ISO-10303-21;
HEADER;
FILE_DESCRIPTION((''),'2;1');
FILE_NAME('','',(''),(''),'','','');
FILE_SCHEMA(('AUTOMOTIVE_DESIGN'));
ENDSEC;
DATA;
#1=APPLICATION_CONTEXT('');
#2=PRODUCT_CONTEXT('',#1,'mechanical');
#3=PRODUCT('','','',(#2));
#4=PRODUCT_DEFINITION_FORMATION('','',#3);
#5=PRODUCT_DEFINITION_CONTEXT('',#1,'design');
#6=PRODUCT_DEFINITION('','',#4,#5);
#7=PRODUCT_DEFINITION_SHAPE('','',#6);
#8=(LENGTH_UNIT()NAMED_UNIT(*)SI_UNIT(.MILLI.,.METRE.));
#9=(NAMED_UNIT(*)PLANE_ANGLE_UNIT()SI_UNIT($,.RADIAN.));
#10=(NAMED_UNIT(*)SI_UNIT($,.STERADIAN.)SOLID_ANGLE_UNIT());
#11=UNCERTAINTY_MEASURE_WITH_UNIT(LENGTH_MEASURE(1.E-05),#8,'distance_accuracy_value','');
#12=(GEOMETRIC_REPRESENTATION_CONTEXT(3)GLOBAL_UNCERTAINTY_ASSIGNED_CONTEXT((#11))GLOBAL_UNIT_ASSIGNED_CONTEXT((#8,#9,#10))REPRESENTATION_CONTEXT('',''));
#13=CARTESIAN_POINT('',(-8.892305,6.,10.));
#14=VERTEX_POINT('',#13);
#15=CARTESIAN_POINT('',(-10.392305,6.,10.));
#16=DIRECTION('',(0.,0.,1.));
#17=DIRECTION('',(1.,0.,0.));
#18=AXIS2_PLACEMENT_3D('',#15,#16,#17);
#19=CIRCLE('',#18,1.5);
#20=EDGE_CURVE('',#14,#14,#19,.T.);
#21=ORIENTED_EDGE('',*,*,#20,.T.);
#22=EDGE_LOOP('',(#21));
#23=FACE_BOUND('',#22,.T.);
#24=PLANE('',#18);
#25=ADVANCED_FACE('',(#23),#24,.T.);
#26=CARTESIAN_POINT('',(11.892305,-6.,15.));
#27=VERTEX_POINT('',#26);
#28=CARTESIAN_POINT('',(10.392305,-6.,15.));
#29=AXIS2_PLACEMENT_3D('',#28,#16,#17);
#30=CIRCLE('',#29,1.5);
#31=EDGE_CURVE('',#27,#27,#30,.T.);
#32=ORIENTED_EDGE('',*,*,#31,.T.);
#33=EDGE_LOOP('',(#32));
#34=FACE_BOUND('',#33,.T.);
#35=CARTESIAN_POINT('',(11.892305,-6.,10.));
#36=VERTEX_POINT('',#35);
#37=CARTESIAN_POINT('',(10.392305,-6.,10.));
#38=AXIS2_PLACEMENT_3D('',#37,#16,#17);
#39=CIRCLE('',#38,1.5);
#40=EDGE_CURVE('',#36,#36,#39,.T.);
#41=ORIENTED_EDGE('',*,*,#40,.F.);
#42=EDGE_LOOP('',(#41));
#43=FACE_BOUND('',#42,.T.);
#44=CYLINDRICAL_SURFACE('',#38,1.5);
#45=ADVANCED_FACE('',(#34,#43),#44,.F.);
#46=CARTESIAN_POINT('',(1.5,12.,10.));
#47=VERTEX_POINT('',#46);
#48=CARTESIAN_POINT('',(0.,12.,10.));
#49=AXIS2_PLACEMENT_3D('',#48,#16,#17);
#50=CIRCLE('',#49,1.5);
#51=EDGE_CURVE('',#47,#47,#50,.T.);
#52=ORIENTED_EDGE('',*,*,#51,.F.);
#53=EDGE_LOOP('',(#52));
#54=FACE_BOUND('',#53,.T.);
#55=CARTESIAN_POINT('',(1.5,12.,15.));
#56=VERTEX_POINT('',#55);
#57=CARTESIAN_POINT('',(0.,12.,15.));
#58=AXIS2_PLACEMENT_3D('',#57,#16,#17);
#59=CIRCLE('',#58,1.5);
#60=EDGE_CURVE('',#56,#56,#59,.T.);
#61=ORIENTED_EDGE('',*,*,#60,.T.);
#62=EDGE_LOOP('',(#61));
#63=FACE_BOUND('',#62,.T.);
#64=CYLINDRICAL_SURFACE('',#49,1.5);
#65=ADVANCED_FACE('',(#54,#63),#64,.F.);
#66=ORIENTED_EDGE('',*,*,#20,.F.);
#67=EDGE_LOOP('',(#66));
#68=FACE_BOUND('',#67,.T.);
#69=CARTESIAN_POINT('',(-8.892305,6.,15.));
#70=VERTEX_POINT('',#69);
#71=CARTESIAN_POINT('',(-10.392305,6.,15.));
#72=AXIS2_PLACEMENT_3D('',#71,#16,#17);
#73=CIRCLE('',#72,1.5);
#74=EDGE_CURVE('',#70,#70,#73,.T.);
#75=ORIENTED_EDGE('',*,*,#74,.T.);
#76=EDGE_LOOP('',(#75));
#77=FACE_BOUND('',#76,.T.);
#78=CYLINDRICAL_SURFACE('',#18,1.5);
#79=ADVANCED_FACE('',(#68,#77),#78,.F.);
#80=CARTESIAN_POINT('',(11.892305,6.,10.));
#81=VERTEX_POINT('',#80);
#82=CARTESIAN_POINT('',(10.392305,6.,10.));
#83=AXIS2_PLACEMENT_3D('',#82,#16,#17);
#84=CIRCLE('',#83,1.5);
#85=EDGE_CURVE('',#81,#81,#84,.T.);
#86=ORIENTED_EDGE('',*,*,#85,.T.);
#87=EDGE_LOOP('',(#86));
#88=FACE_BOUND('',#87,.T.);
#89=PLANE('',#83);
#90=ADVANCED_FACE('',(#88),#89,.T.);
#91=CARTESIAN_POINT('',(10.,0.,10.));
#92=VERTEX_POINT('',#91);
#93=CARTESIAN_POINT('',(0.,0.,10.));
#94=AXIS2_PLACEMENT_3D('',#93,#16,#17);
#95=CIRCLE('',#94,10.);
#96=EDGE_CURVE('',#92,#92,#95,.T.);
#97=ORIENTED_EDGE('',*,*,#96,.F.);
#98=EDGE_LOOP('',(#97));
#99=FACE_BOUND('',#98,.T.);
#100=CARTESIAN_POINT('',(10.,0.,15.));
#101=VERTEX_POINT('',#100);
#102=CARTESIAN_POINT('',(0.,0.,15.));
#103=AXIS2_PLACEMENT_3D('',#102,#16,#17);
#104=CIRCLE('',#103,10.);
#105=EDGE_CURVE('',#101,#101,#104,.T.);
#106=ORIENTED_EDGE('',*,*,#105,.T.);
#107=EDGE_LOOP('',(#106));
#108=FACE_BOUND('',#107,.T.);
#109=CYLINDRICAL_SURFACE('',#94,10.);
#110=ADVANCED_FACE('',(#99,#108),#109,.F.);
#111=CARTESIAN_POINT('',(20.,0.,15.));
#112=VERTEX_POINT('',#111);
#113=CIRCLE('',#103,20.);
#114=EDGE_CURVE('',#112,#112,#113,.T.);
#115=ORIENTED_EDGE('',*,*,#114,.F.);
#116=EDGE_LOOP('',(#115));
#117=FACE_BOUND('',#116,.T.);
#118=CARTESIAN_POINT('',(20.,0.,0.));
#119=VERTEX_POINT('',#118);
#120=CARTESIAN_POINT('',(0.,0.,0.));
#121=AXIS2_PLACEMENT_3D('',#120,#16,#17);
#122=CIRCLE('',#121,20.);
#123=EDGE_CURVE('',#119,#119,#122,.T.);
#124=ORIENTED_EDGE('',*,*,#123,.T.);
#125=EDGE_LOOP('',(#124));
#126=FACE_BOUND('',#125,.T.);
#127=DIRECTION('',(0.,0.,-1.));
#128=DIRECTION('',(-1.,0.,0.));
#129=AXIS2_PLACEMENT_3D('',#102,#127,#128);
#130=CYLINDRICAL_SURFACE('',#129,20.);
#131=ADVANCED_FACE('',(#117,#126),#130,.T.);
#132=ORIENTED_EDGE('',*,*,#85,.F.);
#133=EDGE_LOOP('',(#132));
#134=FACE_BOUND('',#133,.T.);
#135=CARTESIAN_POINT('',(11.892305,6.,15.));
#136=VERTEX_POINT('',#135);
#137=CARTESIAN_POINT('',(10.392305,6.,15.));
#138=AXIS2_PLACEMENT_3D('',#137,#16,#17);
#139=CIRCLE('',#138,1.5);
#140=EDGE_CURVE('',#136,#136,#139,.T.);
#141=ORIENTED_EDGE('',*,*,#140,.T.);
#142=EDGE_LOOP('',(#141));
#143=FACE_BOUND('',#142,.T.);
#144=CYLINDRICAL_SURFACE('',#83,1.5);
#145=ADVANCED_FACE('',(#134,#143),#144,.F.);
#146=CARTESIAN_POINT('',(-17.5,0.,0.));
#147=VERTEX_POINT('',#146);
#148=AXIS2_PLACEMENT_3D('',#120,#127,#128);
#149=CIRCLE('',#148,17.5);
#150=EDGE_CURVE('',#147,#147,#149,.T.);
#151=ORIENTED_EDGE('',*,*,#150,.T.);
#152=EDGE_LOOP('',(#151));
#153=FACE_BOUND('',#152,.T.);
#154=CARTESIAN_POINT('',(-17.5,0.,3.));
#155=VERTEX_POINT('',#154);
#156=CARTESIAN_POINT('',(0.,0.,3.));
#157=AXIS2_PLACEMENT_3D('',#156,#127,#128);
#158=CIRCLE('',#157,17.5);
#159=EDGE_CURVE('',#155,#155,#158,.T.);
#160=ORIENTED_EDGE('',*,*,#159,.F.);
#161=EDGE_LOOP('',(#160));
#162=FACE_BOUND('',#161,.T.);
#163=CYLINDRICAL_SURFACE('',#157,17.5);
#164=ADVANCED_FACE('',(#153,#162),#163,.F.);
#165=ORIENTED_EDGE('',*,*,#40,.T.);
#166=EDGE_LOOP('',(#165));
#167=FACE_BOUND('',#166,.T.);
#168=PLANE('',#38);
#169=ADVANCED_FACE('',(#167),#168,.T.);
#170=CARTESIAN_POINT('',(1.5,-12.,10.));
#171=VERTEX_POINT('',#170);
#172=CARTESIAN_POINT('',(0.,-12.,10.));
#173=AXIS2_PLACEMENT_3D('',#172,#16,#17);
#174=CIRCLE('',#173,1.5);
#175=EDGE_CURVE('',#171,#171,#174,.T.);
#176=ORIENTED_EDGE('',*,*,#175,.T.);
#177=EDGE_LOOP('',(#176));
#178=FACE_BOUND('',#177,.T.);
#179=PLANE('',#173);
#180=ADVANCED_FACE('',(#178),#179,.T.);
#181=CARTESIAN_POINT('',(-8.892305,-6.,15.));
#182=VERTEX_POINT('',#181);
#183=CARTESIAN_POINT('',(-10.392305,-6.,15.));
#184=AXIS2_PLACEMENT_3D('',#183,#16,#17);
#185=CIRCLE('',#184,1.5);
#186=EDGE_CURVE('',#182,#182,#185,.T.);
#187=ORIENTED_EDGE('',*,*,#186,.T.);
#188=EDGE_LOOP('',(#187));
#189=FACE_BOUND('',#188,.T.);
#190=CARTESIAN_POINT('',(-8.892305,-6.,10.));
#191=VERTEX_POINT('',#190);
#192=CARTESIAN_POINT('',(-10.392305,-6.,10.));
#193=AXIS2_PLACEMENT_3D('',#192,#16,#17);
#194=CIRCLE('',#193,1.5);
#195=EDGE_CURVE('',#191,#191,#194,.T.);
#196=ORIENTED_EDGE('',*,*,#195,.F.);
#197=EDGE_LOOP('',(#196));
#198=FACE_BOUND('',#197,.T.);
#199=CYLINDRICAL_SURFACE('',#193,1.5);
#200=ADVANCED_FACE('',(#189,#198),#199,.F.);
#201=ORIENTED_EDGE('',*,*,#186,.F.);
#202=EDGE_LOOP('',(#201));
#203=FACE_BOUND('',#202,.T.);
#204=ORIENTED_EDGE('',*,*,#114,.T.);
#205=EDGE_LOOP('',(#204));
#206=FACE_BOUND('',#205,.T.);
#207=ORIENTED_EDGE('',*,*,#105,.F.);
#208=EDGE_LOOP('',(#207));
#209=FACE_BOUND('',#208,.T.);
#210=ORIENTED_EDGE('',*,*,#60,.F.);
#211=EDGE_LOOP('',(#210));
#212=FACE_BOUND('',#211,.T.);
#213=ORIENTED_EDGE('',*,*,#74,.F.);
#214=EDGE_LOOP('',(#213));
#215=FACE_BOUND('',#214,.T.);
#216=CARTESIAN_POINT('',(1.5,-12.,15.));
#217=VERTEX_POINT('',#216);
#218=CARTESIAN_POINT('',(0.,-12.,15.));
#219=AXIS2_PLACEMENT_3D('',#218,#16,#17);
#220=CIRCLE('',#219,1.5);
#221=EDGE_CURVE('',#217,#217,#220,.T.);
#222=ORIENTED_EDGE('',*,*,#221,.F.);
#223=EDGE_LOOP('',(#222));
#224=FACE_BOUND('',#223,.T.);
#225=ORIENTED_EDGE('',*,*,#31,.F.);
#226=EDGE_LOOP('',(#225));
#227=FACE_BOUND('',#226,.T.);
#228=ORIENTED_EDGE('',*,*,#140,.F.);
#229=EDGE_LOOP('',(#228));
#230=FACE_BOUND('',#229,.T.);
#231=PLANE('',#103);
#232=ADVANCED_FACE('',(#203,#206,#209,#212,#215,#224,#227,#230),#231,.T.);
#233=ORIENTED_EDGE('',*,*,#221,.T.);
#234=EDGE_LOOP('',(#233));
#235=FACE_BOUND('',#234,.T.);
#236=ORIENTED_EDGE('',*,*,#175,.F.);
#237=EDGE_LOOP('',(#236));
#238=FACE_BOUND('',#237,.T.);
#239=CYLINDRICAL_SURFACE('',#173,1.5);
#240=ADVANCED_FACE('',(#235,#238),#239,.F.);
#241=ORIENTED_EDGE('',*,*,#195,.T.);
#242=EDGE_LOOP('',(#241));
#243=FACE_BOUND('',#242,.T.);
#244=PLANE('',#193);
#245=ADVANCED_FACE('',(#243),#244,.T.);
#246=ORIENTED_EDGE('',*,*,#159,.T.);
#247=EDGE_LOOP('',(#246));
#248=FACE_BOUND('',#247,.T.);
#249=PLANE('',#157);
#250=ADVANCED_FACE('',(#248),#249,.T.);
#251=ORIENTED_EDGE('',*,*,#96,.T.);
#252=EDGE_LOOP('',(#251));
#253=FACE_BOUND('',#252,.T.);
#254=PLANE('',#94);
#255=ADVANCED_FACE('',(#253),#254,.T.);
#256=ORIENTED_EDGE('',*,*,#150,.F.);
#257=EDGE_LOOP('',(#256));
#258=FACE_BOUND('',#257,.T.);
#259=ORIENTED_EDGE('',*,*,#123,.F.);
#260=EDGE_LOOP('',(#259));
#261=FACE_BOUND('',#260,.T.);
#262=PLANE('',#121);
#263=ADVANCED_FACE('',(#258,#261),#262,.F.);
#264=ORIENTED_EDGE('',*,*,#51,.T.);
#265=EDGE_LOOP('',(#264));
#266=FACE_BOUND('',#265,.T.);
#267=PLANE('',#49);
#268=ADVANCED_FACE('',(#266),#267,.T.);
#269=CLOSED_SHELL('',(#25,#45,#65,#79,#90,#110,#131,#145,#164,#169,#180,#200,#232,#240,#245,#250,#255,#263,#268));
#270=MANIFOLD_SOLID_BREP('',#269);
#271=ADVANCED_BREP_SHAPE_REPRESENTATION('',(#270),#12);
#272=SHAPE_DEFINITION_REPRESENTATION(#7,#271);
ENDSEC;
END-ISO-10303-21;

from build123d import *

# Parameters (mm, degrees)
SKETCH1_R           = 20
BOSS_EXTRUDE1_DEPTH = 15
SKETCH2_R           = 10
CUT_EXTRUDE1_DEPTH  = 5
SKETCH7_R           = 17.5
CUT_EXTRUDE2_DEPTH  = 3
SKETCH8_R           = 1.5
CUT_EXTRUDE3_DEPTH  = 5


with BuildPart() as part:
    # Sketch1 → Boss-Extrude1 (new body)
    with BuildSketch(Plane.XY):
        Circle(SKETCH1_R)
    extrude(amount=BOSS_EXTRUDE1_DEPTH)

    # Sketch2 → Cut-Extrude1 (cut)
    with BuildSketch(Plane.XY.offset(15)):
        Circle(SKETCH2_R)
    extrude(amount=-CUT_EXTRUDE1_DEPTH, mode=Mode.SUBTRACT)

    # Sketch7 → Cut-Extrude2 (cut)
    with BuildSketch(Plane(origin=(0, 0, 0), x_dir=(-1, 0, 0), z_dir=(0, 0, -1))):
        Circle(SKETCH7_R)
    extrude(amount=-CUT_EXTRUDE2_DEPTH, mode=Mode.SUBTRACT)

    # Sketch8 → Cut-Extrude3 (cut)
    with BuildSketch(Plane.XY.offset(15)):
        with Locations((0, 12)):
            Circle(SKETCH8_R)
        with Locations((10.392304845, 6)):
            Circle(SKETCH8_R)
        with Locations((10.392304845, -6)):
            Circle(SKETCH8_R)
        with Locations((0, -12)):
            Circle(SKETCH8_R)
        with Locations((-10.392304845, -6)):
            Circle(SKETCH8_R)
        with Locations((-10.392304845, 6)):
            Circle(SKETCH8_R)
    extrude(amount=-CUT_EXTRUDE3_DEPTH, mode=Mode.SUBTRACT)


solid = part.part
